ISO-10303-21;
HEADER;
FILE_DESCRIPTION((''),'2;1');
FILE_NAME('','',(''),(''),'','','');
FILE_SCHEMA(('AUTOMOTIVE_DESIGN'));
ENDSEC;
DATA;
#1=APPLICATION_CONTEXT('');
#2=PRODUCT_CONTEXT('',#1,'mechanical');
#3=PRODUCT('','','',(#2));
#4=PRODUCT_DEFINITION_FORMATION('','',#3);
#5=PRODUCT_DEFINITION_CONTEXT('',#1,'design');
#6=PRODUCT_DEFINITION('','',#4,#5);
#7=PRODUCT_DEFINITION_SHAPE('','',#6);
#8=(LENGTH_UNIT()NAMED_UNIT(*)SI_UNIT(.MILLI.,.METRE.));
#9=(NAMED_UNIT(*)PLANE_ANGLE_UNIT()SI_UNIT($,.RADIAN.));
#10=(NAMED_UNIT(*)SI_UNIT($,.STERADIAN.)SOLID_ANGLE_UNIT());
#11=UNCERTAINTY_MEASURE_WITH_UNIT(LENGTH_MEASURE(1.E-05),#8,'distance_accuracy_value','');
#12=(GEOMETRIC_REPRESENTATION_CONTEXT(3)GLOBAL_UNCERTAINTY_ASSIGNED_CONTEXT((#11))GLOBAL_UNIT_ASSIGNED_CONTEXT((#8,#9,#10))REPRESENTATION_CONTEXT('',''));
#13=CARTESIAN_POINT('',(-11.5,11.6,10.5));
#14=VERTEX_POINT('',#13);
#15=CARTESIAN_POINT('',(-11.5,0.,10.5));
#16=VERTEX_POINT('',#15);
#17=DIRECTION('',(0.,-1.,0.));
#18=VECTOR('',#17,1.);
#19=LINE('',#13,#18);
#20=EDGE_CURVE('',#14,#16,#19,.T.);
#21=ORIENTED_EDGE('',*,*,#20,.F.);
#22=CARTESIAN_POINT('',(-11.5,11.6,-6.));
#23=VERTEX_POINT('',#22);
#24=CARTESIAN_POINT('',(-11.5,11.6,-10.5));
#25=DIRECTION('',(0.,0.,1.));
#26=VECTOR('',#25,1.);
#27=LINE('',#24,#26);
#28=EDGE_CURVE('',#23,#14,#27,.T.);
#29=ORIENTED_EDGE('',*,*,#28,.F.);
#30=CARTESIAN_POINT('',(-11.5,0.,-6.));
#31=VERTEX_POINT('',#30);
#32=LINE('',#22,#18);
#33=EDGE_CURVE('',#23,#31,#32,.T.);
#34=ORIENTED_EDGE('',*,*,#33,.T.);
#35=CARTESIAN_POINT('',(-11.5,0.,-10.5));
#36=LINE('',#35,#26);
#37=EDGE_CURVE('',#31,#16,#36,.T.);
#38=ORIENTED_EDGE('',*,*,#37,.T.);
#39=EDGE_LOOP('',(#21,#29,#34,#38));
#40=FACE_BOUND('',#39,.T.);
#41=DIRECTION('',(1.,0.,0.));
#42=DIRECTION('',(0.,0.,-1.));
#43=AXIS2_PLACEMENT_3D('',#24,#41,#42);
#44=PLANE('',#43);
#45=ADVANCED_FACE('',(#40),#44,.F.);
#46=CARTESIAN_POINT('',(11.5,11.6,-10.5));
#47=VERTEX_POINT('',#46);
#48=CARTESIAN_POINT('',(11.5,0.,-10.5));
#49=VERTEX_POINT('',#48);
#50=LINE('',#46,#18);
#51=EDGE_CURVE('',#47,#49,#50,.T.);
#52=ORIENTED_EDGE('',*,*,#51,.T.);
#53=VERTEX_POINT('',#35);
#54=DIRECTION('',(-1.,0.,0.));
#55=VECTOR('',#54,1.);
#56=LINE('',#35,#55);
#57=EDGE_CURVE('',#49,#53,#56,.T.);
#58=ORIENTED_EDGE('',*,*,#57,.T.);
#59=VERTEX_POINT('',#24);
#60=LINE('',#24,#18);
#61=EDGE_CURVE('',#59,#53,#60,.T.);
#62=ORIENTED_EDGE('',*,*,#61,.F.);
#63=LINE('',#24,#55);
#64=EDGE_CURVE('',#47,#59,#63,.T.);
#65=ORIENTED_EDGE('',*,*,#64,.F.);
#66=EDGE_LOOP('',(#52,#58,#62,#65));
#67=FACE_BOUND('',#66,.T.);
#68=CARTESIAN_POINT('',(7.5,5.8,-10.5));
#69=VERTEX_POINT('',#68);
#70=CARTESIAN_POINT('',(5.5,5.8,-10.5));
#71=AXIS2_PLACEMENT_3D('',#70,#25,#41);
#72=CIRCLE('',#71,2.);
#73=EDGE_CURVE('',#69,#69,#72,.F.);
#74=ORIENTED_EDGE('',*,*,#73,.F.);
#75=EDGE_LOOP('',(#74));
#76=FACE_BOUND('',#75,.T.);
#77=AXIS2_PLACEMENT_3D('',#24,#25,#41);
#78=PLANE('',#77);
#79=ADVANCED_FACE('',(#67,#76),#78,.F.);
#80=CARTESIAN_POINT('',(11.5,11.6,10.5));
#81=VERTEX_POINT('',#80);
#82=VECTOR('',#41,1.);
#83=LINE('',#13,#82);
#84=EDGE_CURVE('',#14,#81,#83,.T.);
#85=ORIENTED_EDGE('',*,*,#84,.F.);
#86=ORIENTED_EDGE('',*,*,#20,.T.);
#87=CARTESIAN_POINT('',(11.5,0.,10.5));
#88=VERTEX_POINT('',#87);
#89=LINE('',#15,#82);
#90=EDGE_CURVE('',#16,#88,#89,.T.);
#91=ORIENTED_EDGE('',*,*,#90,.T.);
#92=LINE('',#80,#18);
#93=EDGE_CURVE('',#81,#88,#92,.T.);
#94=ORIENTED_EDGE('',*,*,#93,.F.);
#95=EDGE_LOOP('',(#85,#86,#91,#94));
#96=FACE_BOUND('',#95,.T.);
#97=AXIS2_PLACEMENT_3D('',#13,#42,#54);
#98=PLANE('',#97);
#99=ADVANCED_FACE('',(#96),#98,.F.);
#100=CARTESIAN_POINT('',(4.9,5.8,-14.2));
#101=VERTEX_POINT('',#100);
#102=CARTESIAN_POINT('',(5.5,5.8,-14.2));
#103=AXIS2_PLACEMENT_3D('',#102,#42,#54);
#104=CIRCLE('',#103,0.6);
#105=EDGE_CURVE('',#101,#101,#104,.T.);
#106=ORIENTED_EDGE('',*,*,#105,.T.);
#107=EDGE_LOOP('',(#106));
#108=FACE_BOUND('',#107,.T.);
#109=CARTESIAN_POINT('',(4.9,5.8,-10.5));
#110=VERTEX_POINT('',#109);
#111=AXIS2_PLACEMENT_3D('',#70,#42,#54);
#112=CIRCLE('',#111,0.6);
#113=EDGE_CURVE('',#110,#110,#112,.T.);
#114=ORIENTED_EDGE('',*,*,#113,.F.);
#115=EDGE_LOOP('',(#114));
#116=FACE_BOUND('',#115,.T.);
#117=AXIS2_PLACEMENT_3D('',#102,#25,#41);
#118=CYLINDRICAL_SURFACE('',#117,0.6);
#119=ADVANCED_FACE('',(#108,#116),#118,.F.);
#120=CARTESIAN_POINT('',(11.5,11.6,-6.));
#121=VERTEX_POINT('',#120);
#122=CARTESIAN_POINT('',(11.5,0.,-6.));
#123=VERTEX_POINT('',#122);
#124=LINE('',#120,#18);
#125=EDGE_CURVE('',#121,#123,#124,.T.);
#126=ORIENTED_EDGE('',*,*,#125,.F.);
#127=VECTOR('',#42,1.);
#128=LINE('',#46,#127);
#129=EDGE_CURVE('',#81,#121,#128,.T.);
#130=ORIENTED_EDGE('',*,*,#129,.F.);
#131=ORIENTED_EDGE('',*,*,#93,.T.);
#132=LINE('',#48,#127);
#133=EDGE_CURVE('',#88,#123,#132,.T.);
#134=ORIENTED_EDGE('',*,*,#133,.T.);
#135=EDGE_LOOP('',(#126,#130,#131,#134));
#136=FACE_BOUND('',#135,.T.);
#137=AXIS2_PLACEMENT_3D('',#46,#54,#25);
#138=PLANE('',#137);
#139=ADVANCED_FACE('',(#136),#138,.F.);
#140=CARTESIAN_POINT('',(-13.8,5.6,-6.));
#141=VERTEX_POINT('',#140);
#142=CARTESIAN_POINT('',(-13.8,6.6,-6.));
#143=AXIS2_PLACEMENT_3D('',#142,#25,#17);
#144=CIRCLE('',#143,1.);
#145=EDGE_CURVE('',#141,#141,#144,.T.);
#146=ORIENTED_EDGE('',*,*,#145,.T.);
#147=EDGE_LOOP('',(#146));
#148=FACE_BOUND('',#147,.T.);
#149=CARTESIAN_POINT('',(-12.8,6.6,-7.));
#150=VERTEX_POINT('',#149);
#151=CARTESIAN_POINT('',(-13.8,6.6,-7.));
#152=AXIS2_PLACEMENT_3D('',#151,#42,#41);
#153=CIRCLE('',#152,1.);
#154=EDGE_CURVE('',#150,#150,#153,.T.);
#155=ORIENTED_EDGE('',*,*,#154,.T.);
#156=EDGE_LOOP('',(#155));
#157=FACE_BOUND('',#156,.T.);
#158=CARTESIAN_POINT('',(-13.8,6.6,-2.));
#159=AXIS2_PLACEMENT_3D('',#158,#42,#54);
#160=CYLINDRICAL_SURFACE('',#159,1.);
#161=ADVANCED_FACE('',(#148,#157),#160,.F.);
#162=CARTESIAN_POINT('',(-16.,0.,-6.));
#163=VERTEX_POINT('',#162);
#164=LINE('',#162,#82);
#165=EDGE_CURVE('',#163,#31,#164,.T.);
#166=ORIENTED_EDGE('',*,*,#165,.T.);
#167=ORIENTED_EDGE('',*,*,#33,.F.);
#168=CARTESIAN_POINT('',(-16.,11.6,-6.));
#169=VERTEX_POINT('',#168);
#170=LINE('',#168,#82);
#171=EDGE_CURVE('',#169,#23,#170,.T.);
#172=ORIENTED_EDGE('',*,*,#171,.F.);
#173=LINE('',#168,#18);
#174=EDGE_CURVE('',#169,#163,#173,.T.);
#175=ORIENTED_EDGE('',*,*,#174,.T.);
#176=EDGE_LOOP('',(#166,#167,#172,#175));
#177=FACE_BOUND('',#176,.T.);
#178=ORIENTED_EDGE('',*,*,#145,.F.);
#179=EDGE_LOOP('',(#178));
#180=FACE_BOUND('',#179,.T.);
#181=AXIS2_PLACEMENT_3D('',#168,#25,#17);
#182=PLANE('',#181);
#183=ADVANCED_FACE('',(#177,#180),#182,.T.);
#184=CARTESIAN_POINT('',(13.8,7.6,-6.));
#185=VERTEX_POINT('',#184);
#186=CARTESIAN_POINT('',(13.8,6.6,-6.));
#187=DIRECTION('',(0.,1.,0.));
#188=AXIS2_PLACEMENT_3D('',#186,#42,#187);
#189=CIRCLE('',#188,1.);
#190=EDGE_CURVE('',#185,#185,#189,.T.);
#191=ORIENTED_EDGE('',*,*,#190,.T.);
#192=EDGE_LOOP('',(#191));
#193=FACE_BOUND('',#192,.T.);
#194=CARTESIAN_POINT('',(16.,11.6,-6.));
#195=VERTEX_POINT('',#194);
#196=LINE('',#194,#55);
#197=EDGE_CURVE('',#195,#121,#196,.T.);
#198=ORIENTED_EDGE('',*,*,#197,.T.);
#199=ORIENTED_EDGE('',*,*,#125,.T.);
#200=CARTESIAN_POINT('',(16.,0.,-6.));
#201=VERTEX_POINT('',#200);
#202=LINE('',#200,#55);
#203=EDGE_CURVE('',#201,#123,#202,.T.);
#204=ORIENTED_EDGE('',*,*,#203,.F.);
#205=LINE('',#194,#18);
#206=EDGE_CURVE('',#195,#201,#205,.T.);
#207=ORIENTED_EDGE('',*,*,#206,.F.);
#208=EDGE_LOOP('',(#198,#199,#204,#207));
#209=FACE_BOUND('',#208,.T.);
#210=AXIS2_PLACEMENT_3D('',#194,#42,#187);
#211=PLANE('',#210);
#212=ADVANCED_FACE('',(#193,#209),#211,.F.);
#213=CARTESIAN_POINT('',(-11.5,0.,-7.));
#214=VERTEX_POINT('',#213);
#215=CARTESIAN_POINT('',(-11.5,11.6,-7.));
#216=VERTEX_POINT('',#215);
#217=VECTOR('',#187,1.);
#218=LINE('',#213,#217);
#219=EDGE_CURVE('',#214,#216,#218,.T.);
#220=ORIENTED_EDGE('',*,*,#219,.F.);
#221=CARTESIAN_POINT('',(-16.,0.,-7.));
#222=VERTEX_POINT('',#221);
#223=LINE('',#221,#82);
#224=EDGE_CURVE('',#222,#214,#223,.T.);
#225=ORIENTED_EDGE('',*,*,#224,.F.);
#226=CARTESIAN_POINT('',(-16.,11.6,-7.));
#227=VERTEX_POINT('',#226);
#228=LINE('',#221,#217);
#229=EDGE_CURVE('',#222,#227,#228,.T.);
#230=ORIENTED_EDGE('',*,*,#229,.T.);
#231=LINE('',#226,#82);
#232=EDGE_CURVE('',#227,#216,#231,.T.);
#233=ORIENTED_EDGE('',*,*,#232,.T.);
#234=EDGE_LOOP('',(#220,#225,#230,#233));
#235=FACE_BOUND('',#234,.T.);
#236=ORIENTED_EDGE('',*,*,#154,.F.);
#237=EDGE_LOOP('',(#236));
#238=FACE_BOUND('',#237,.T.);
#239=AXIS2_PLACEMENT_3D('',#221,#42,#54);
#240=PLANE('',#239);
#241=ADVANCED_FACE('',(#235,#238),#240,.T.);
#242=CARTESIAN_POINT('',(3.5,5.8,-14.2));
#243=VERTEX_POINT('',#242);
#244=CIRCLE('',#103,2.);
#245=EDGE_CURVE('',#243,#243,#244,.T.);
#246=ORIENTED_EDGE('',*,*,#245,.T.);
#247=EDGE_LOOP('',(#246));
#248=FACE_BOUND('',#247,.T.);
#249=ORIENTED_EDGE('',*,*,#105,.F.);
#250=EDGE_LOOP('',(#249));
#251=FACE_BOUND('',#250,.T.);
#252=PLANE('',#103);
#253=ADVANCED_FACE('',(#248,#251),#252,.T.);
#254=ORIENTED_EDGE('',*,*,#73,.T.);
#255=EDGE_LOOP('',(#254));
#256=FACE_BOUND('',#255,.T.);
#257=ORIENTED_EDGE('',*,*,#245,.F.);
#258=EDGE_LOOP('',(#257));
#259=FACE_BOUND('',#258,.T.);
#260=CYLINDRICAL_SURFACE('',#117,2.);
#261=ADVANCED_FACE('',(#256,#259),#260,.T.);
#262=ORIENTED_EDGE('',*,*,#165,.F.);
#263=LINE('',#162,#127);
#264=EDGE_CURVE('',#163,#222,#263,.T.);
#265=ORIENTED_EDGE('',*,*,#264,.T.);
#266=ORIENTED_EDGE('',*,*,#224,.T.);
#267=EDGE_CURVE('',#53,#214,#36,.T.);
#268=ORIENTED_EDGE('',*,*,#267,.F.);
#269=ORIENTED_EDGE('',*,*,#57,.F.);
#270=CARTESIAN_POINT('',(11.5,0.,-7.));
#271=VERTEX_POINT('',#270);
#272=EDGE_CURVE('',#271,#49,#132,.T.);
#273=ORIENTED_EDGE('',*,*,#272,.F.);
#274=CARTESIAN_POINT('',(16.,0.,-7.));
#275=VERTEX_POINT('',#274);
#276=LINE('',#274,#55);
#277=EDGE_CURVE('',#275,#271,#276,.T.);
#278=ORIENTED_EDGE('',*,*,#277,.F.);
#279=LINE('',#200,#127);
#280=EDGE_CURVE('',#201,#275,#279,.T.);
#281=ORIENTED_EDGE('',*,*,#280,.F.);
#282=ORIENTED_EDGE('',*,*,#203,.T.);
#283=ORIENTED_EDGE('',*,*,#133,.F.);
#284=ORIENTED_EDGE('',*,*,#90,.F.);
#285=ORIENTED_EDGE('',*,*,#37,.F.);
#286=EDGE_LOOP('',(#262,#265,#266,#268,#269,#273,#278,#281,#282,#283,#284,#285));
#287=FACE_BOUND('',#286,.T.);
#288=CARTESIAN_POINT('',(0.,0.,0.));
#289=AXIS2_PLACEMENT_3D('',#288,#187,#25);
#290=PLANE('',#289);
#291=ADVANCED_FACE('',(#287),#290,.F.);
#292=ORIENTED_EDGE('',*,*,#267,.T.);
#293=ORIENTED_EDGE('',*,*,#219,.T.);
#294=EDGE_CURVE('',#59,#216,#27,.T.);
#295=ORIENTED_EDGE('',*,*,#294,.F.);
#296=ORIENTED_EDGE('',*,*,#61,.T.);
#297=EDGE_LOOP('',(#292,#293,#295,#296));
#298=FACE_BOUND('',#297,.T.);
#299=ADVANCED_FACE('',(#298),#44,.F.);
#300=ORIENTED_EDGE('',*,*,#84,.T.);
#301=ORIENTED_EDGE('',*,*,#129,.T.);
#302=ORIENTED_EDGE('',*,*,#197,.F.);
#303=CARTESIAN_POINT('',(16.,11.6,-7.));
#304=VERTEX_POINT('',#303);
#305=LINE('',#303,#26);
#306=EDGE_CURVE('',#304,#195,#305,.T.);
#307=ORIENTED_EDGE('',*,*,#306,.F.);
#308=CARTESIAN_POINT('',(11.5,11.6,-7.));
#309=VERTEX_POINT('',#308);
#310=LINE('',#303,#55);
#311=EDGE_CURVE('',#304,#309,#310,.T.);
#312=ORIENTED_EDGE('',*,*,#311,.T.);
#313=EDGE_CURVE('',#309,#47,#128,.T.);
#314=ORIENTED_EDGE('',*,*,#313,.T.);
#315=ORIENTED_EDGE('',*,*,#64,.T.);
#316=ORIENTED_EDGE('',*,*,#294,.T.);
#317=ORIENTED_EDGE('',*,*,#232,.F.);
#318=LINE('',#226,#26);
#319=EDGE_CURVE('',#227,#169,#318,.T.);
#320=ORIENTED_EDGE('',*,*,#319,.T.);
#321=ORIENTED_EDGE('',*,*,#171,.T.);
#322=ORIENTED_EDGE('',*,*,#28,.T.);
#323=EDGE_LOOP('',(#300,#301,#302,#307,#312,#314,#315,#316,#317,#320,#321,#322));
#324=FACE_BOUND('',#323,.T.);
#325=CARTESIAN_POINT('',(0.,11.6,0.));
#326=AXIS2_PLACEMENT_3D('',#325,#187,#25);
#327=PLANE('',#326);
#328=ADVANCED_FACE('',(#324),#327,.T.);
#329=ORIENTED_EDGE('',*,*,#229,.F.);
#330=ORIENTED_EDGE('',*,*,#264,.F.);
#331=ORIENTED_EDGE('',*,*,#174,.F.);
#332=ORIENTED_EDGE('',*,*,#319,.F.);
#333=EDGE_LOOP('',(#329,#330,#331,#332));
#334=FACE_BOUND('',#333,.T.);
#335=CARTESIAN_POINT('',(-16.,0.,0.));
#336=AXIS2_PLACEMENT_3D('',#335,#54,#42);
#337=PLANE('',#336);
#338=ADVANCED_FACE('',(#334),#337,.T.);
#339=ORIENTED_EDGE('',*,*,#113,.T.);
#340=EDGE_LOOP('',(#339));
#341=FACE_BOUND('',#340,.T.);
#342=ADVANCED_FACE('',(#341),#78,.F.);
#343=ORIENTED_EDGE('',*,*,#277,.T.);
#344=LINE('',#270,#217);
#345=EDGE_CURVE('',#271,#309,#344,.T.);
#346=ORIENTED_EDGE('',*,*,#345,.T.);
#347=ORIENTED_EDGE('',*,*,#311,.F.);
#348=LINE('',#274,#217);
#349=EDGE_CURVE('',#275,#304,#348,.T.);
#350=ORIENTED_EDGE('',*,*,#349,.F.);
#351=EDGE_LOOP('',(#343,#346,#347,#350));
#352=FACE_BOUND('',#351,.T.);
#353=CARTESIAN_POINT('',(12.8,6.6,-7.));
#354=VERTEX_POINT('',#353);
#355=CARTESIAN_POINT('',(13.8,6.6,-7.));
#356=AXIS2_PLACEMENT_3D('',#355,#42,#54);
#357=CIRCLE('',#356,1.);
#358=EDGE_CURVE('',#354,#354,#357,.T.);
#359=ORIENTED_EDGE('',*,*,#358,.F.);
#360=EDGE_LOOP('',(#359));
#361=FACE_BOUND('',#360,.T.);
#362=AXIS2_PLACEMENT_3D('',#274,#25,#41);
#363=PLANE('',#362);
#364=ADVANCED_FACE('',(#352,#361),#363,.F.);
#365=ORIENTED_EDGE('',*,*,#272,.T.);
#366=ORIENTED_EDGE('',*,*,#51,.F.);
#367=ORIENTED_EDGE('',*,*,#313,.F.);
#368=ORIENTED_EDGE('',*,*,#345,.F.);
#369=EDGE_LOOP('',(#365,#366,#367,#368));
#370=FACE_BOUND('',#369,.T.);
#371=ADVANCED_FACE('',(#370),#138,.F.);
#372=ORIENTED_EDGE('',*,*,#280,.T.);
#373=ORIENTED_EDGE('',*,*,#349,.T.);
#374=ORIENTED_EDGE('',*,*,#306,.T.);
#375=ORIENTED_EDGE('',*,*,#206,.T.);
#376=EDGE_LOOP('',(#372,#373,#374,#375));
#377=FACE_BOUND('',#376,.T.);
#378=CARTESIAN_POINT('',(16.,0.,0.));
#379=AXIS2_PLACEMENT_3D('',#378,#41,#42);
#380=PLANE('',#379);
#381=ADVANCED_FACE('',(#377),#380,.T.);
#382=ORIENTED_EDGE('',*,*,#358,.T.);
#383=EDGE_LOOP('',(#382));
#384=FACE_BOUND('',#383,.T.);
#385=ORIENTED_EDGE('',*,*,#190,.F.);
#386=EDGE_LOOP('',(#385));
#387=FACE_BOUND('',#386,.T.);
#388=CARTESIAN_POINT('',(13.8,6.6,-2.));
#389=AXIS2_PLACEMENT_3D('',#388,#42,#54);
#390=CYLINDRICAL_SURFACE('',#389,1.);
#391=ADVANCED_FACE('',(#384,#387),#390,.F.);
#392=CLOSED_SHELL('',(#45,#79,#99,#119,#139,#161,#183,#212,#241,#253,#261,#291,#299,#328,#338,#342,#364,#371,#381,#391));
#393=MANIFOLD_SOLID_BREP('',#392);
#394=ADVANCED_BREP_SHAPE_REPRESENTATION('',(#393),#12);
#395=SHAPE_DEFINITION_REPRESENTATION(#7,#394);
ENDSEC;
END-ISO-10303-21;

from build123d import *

# Parameters (mm, degrees)
SKETCH1_W           = 23
SKETCH1_H           = 21
BOSS_EXTRUDE1_DEPTH = 11.6
SKETCH2_W           = 1
SKETCH2_H           = 11.6
BOSS_EXTRUDE2_DEPTH = 4.5
SKETCH3_R           = 2
SKETCH3_R_2         = 0.6
BOSS_EXTRUDE3_DEPTH = 3.7
SKETCH4_R           = 1
CUT_EXTRUDE1_DEPTH  = 5


with BuildPart() as part:
    # Sketch1 → Boss-Extrude1 (new body)
    with BuildSketch(Plane(origin=(0, 0, 0), x_dir=(1, 0, 0), z_dir=(0, 1, 0))):
        Rectangle(SKETCH1_W, SKETCH1_H)
    extrude(amount=BOSS_EXTRUDE1_DEPTH)

    # Sketch2 → Boss-Extrude2 (add)
    with BuildSketch(Plane(origin=(11.5, 0, 0), x_dir=(0, 0, -1), z_dir=(1, 0, 0))):
        with Locations((6.5, 5.8)):
            Rectangle(SKETCH2_W, SKETCH2_H)
    boss_extrude2 = extrude(amount=BOSS_EXTRUDE2_DEPTH)

    # Mirror1: Boss-Extrude2 across plane
    add(boss_extrude2.mirror(Plane(origin=(0, 0, 0), x_dir=(0, 0, 1), z_dir=(1, 0, 0))))

    # Sketch3 → Boss-Extrude3 (add)
    with BuildSketch(Plane(origin=(0, 0, -10.5), x_dir=(-1, 0, 0), z_dir=(0, 0, -1))):
        with Locations((-5.5, 5.8)):
            Circle(SKETCH3_R)
        with Locations((-5.5, 5.8)):
            Circle(SKETCH3_R_2, mode=Mode.SUBTRACT)
    extrude(amount=BOSS_EXTRUDE3_DEPTH)

    # Sketch4 → Cut-Extrude1 (cut)
    with BuildSketch(Plane(origin=(0, 0, -7), x_dir=(-1, 0, 0), z_dir=(0, 0, -1))):
        with Locations((-13.8, 6.6)):
            Circle(SKETCH4_R)
        with Locations((13.8, 6.6)):
            Circle(SKETCH4_R)
    extrude(amount=-CUT_EXTRUDE1_DEPTH, mode=Mode.SUBTRACT)


solid = part.part
